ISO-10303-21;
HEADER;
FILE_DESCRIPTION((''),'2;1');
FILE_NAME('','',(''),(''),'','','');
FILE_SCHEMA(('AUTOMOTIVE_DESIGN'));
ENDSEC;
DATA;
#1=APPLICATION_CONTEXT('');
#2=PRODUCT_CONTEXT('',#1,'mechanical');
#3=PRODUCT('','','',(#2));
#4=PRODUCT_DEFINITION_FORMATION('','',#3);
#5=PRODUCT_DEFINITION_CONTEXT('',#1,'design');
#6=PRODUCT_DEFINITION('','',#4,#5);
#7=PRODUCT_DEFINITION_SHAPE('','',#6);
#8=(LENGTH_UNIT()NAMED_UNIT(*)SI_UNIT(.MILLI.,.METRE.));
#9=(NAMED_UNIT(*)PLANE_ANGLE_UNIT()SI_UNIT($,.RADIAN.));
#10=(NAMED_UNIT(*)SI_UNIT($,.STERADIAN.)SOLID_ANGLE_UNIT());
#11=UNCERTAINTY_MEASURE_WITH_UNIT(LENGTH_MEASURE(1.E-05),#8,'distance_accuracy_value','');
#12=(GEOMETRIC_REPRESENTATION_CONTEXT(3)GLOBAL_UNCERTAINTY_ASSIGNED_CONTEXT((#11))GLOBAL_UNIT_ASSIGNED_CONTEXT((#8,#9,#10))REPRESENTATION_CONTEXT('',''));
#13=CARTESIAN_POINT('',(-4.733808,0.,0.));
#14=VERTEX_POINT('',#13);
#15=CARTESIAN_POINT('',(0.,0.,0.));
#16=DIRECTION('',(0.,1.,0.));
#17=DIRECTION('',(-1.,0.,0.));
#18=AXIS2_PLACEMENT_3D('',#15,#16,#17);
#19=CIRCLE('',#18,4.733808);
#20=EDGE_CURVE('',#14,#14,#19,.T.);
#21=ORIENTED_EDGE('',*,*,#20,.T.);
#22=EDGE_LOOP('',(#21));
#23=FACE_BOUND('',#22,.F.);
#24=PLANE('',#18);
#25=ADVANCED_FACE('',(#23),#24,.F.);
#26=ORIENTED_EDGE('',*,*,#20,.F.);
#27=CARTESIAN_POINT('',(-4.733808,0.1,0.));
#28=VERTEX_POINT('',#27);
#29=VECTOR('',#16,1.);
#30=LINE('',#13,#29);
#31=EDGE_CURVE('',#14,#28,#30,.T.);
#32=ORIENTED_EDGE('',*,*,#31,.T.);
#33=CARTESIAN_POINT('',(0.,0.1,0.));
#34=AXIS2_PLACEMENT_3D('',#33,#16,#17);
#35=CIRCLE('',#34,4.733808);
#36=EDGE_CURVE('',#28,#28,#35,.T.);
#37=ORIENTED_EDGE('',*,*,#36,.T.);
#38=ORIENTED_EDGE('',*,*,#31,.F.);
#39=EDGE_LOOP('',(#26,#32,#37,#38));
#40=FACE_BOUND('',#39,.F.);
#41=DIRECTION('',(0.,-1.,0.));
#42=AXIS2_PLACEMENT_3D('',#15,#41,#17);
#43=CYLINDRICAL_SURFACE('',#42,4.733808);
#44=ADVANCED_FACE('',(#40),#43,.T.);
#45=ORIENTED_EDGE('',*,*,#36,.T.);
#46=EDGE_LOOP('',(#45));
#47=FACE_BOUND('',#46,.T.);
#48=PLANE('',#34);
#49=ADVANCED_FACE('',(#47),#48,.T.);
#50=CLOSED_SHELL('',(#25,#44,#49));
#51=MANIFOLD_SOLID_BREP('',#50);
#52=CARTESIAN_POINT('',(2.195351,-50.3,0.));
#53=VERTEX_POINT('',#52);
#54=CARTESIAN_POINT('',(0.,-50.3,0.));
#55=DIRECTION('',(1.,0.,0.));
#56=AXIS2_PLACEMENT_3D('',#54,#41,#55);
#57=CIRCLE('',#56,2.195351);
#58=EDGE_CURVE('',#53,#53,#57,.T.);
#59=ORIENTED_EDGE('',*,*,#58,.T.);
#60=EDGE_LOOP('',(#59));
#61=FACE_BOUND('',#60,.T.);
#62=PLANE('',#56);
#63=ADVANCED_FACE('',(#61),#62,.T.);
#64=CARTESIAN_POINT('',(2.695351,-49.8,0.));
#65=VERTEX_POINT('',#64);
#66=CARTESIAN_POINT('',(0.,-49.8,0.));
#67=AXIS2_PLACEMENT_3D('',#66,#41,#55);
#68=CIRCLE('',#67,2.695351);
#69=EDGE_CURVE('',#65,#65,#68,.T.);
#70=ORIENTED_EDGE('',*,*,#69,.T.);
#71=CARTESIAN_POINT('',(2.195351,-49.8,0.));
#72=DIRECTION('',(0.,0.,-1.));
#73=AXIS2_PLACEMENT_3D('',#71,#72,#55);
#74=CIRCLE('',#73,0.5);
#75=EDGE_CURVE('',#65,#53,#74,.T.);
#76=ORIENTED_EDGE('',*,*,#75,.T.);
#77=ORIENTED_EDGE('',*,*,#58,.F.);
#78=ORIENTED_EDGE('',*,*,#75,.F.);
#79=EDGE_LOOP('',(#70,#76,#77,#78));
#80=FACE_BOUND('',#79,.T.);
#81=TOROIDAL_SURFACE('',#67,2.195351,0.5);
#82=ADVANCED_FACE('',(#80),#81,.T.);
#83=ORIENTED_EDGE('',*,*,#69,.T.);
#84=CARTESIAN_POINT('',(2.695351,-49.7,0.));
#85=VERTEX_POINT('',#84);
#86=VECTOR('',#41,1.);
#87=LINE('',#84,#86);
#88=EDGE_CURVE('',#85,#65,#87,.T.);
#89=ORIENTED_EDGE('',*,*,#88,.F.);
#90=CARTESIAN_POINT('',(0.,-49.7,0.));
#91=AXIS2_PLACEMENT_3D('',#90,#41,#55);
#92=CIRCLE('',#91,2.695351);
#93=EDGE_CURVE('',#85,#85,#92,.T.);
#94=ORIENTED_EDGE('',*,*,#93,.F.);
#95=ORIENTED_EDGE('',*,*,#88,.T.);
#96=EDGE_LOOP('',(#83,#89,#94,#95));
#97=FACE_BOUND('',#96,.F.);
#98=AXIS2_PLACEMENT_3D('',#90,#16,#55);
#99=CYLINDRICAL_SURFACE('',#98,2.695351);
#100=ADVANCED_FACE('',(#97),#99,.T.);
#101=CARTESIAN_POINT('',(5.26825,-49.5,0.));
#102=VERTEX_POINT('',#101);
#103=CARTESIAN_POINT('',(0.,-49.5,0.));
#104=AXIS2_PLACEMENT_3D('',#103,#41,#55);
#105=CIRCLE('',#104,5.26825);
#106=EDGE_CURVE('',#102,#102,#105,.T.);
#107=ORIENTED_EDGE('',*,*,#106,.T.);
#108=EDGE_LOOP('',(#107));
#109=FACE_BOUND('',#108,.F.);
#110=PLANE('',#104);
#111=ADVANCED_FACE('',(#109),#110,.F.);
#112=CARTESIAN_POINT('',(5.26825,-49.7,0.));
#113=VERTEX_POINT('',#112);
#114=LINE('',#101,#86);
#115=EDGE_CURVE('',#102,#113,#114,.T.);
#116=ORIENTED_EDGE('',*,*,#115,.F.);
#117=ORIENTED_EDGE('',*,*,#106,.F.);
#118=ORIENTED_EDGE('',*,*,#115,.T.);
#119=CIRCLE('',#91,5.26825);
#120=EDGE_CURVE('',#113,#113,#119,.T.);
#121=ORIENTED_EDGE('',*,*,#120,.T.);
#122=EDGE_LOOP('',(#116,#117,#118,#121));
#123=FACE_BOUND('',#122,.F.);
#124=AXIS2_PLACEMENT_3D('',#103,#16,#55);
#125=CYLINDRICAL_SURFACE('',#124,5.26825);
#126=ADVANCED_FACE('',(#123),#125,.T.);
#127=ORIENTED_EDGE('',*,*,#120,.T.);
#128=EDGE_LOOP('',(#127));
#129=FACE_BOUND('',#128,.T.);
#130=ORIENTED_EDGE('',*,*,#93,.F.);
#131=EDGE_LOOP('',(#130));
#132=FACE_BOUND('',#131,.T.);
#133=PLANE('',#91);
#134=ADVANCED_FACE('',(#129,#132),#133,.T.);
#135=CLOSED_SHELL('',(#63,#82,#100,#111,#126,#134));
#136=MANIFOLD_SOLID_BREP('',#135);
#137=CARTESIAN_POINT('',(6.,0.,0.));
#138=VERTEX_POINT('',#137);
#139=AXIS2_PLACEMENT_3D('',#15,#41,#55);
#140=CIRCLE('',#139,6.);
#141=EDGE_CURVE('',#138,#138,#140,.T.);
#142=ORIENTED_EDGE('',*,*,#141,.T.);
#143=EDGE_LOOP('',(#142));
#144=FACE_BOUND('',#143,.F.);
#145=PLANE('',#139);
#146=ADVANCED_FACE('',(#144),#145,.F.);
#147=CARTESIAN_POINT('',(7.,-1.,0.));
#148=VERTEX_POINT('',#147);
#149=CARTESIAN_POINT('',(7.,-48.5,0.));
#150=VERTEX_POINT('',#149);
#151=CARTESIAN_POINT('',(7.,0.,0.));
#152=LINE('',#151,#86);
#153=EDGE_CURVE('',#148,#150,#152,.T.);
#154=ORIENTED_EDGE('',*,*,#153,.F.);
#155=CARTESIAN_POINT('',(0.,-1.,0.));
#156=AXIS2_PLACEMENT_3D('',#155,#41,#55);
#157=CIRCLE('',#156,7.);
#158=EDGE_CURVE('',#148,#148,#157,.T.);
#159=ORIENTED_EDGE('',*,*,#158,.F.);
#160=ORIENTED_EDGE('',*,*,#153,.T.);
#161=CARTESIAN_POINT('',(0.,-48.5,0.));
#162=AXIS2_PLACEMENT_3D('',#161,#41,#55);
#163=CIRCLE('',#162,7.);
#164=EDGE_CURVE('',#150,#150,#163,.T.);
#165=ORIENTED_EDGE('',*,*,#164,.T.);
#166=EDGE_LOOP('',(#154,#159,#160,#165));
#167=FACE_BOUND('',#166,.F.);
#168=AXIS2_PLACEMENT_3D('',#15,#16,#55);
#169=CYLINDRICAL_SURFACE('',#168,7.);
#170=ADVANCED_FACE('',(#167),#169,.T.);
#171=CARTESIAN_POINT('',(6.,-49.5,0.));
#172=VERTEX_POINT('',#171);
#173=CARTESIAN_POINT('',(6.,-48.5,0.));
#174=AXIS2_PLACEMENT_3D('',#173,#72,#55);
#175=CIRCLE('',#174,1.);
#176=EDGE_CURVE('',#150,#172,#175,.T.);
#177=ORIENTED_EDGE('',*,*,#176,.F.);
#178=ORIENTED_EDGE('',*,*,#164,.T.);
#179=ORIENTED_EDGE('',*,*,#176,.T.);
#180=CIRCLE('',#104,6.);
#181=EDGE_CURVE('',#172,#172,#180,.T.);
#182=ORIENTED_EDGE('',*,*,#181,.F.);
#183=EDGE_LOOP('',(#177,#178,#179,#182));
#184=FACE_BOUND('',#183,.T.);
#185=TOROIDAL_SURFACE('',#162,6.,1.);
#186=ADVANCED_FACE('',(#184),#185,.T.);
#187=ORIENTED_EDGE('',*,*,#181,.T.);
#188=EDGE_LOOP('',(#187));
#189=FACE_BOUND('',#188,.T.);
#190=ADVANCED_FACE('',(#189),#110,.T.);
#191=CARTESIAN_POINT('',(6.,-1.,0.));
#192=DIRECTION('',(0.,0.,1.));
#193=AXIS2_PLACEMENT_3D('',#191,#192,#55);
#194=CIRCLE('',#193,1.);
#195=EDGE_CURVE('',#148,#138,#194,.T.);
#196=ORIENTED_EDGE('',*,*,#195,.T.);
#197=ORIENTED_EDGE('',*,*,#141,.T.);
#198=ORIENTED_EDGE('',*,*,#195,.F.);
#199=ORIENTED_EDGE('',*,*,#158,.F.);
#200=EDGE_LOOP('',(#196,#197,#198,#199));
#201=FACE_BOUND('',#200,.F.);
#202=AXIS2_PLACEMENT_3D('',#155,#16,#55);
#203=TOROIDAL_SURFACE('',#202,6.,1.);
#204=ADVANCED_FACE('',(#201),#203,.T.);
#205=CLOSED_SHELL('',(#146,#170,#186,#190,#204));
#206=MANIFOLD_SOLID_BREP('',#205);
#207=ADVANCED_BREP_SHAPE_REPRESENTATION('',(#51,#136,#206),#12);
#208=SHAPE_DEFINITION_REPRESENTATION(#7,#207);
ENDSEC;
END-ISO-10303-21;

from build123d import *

# Parameters (mm, degrees)
F0_R     = 7
F1_DEPTH = 49.5
F2_R     = 5.26825
F3_DEPTH = 0.2
F4_R     = 1
F5_R     = 2.695351
F6_DEPTH = 0.6
F7_R     = 0.5
F8_R     = 4.733808
F9_DEPTH = 0.1


with BuildPart() as f1:
    # F0 (on Front) → F1 (new body)
    with BuildSketch(Plane.XZ):
        Circle(F0_R)
    extrude(amount=F1_DEPTH)

    # F4
    f4_edges = [f1.edges().sort_by_distance(p)[0] for p in [
        (-7, -49.5, 0),
        (-7, 0, 0),
    ]]
    fillet(f4_edges, radius=F4_R)


with BuildPart() as f3:
    # F2 (on face) → F3 (new body)
    with BuildSketch(Plane.XZ.offset(49.5)):
        Circle(F2_R)
    extrude(amount=F3_DEPTH)

    # F5 (on face) → F6 (join)
    with BuildSketch(Plane.XZ.offset(49.7)):
        Circle(F5_R)
    extrude(amount=F6_DEPTH)

    # F7
    f7_edges = [f3.edges().sort_by_distance(p)[0] for p in [
        (-2.695351, -50.3, 0),
    ]]
    fillet(f7_edges, radius=F7_R)


with BuildPart() as f9:
    # F8 (on face) → F9 (new body)
    with BuildSketch(Plane(origin=(0, 0, 0), x_dir=(-1, 0, 0), z_dir=(0, 1, 0))):
        Circle(F8_R)
    extrude(amount=F9_DEPTH)


solid = Compound([f1.part, f3.part, f9.part])
